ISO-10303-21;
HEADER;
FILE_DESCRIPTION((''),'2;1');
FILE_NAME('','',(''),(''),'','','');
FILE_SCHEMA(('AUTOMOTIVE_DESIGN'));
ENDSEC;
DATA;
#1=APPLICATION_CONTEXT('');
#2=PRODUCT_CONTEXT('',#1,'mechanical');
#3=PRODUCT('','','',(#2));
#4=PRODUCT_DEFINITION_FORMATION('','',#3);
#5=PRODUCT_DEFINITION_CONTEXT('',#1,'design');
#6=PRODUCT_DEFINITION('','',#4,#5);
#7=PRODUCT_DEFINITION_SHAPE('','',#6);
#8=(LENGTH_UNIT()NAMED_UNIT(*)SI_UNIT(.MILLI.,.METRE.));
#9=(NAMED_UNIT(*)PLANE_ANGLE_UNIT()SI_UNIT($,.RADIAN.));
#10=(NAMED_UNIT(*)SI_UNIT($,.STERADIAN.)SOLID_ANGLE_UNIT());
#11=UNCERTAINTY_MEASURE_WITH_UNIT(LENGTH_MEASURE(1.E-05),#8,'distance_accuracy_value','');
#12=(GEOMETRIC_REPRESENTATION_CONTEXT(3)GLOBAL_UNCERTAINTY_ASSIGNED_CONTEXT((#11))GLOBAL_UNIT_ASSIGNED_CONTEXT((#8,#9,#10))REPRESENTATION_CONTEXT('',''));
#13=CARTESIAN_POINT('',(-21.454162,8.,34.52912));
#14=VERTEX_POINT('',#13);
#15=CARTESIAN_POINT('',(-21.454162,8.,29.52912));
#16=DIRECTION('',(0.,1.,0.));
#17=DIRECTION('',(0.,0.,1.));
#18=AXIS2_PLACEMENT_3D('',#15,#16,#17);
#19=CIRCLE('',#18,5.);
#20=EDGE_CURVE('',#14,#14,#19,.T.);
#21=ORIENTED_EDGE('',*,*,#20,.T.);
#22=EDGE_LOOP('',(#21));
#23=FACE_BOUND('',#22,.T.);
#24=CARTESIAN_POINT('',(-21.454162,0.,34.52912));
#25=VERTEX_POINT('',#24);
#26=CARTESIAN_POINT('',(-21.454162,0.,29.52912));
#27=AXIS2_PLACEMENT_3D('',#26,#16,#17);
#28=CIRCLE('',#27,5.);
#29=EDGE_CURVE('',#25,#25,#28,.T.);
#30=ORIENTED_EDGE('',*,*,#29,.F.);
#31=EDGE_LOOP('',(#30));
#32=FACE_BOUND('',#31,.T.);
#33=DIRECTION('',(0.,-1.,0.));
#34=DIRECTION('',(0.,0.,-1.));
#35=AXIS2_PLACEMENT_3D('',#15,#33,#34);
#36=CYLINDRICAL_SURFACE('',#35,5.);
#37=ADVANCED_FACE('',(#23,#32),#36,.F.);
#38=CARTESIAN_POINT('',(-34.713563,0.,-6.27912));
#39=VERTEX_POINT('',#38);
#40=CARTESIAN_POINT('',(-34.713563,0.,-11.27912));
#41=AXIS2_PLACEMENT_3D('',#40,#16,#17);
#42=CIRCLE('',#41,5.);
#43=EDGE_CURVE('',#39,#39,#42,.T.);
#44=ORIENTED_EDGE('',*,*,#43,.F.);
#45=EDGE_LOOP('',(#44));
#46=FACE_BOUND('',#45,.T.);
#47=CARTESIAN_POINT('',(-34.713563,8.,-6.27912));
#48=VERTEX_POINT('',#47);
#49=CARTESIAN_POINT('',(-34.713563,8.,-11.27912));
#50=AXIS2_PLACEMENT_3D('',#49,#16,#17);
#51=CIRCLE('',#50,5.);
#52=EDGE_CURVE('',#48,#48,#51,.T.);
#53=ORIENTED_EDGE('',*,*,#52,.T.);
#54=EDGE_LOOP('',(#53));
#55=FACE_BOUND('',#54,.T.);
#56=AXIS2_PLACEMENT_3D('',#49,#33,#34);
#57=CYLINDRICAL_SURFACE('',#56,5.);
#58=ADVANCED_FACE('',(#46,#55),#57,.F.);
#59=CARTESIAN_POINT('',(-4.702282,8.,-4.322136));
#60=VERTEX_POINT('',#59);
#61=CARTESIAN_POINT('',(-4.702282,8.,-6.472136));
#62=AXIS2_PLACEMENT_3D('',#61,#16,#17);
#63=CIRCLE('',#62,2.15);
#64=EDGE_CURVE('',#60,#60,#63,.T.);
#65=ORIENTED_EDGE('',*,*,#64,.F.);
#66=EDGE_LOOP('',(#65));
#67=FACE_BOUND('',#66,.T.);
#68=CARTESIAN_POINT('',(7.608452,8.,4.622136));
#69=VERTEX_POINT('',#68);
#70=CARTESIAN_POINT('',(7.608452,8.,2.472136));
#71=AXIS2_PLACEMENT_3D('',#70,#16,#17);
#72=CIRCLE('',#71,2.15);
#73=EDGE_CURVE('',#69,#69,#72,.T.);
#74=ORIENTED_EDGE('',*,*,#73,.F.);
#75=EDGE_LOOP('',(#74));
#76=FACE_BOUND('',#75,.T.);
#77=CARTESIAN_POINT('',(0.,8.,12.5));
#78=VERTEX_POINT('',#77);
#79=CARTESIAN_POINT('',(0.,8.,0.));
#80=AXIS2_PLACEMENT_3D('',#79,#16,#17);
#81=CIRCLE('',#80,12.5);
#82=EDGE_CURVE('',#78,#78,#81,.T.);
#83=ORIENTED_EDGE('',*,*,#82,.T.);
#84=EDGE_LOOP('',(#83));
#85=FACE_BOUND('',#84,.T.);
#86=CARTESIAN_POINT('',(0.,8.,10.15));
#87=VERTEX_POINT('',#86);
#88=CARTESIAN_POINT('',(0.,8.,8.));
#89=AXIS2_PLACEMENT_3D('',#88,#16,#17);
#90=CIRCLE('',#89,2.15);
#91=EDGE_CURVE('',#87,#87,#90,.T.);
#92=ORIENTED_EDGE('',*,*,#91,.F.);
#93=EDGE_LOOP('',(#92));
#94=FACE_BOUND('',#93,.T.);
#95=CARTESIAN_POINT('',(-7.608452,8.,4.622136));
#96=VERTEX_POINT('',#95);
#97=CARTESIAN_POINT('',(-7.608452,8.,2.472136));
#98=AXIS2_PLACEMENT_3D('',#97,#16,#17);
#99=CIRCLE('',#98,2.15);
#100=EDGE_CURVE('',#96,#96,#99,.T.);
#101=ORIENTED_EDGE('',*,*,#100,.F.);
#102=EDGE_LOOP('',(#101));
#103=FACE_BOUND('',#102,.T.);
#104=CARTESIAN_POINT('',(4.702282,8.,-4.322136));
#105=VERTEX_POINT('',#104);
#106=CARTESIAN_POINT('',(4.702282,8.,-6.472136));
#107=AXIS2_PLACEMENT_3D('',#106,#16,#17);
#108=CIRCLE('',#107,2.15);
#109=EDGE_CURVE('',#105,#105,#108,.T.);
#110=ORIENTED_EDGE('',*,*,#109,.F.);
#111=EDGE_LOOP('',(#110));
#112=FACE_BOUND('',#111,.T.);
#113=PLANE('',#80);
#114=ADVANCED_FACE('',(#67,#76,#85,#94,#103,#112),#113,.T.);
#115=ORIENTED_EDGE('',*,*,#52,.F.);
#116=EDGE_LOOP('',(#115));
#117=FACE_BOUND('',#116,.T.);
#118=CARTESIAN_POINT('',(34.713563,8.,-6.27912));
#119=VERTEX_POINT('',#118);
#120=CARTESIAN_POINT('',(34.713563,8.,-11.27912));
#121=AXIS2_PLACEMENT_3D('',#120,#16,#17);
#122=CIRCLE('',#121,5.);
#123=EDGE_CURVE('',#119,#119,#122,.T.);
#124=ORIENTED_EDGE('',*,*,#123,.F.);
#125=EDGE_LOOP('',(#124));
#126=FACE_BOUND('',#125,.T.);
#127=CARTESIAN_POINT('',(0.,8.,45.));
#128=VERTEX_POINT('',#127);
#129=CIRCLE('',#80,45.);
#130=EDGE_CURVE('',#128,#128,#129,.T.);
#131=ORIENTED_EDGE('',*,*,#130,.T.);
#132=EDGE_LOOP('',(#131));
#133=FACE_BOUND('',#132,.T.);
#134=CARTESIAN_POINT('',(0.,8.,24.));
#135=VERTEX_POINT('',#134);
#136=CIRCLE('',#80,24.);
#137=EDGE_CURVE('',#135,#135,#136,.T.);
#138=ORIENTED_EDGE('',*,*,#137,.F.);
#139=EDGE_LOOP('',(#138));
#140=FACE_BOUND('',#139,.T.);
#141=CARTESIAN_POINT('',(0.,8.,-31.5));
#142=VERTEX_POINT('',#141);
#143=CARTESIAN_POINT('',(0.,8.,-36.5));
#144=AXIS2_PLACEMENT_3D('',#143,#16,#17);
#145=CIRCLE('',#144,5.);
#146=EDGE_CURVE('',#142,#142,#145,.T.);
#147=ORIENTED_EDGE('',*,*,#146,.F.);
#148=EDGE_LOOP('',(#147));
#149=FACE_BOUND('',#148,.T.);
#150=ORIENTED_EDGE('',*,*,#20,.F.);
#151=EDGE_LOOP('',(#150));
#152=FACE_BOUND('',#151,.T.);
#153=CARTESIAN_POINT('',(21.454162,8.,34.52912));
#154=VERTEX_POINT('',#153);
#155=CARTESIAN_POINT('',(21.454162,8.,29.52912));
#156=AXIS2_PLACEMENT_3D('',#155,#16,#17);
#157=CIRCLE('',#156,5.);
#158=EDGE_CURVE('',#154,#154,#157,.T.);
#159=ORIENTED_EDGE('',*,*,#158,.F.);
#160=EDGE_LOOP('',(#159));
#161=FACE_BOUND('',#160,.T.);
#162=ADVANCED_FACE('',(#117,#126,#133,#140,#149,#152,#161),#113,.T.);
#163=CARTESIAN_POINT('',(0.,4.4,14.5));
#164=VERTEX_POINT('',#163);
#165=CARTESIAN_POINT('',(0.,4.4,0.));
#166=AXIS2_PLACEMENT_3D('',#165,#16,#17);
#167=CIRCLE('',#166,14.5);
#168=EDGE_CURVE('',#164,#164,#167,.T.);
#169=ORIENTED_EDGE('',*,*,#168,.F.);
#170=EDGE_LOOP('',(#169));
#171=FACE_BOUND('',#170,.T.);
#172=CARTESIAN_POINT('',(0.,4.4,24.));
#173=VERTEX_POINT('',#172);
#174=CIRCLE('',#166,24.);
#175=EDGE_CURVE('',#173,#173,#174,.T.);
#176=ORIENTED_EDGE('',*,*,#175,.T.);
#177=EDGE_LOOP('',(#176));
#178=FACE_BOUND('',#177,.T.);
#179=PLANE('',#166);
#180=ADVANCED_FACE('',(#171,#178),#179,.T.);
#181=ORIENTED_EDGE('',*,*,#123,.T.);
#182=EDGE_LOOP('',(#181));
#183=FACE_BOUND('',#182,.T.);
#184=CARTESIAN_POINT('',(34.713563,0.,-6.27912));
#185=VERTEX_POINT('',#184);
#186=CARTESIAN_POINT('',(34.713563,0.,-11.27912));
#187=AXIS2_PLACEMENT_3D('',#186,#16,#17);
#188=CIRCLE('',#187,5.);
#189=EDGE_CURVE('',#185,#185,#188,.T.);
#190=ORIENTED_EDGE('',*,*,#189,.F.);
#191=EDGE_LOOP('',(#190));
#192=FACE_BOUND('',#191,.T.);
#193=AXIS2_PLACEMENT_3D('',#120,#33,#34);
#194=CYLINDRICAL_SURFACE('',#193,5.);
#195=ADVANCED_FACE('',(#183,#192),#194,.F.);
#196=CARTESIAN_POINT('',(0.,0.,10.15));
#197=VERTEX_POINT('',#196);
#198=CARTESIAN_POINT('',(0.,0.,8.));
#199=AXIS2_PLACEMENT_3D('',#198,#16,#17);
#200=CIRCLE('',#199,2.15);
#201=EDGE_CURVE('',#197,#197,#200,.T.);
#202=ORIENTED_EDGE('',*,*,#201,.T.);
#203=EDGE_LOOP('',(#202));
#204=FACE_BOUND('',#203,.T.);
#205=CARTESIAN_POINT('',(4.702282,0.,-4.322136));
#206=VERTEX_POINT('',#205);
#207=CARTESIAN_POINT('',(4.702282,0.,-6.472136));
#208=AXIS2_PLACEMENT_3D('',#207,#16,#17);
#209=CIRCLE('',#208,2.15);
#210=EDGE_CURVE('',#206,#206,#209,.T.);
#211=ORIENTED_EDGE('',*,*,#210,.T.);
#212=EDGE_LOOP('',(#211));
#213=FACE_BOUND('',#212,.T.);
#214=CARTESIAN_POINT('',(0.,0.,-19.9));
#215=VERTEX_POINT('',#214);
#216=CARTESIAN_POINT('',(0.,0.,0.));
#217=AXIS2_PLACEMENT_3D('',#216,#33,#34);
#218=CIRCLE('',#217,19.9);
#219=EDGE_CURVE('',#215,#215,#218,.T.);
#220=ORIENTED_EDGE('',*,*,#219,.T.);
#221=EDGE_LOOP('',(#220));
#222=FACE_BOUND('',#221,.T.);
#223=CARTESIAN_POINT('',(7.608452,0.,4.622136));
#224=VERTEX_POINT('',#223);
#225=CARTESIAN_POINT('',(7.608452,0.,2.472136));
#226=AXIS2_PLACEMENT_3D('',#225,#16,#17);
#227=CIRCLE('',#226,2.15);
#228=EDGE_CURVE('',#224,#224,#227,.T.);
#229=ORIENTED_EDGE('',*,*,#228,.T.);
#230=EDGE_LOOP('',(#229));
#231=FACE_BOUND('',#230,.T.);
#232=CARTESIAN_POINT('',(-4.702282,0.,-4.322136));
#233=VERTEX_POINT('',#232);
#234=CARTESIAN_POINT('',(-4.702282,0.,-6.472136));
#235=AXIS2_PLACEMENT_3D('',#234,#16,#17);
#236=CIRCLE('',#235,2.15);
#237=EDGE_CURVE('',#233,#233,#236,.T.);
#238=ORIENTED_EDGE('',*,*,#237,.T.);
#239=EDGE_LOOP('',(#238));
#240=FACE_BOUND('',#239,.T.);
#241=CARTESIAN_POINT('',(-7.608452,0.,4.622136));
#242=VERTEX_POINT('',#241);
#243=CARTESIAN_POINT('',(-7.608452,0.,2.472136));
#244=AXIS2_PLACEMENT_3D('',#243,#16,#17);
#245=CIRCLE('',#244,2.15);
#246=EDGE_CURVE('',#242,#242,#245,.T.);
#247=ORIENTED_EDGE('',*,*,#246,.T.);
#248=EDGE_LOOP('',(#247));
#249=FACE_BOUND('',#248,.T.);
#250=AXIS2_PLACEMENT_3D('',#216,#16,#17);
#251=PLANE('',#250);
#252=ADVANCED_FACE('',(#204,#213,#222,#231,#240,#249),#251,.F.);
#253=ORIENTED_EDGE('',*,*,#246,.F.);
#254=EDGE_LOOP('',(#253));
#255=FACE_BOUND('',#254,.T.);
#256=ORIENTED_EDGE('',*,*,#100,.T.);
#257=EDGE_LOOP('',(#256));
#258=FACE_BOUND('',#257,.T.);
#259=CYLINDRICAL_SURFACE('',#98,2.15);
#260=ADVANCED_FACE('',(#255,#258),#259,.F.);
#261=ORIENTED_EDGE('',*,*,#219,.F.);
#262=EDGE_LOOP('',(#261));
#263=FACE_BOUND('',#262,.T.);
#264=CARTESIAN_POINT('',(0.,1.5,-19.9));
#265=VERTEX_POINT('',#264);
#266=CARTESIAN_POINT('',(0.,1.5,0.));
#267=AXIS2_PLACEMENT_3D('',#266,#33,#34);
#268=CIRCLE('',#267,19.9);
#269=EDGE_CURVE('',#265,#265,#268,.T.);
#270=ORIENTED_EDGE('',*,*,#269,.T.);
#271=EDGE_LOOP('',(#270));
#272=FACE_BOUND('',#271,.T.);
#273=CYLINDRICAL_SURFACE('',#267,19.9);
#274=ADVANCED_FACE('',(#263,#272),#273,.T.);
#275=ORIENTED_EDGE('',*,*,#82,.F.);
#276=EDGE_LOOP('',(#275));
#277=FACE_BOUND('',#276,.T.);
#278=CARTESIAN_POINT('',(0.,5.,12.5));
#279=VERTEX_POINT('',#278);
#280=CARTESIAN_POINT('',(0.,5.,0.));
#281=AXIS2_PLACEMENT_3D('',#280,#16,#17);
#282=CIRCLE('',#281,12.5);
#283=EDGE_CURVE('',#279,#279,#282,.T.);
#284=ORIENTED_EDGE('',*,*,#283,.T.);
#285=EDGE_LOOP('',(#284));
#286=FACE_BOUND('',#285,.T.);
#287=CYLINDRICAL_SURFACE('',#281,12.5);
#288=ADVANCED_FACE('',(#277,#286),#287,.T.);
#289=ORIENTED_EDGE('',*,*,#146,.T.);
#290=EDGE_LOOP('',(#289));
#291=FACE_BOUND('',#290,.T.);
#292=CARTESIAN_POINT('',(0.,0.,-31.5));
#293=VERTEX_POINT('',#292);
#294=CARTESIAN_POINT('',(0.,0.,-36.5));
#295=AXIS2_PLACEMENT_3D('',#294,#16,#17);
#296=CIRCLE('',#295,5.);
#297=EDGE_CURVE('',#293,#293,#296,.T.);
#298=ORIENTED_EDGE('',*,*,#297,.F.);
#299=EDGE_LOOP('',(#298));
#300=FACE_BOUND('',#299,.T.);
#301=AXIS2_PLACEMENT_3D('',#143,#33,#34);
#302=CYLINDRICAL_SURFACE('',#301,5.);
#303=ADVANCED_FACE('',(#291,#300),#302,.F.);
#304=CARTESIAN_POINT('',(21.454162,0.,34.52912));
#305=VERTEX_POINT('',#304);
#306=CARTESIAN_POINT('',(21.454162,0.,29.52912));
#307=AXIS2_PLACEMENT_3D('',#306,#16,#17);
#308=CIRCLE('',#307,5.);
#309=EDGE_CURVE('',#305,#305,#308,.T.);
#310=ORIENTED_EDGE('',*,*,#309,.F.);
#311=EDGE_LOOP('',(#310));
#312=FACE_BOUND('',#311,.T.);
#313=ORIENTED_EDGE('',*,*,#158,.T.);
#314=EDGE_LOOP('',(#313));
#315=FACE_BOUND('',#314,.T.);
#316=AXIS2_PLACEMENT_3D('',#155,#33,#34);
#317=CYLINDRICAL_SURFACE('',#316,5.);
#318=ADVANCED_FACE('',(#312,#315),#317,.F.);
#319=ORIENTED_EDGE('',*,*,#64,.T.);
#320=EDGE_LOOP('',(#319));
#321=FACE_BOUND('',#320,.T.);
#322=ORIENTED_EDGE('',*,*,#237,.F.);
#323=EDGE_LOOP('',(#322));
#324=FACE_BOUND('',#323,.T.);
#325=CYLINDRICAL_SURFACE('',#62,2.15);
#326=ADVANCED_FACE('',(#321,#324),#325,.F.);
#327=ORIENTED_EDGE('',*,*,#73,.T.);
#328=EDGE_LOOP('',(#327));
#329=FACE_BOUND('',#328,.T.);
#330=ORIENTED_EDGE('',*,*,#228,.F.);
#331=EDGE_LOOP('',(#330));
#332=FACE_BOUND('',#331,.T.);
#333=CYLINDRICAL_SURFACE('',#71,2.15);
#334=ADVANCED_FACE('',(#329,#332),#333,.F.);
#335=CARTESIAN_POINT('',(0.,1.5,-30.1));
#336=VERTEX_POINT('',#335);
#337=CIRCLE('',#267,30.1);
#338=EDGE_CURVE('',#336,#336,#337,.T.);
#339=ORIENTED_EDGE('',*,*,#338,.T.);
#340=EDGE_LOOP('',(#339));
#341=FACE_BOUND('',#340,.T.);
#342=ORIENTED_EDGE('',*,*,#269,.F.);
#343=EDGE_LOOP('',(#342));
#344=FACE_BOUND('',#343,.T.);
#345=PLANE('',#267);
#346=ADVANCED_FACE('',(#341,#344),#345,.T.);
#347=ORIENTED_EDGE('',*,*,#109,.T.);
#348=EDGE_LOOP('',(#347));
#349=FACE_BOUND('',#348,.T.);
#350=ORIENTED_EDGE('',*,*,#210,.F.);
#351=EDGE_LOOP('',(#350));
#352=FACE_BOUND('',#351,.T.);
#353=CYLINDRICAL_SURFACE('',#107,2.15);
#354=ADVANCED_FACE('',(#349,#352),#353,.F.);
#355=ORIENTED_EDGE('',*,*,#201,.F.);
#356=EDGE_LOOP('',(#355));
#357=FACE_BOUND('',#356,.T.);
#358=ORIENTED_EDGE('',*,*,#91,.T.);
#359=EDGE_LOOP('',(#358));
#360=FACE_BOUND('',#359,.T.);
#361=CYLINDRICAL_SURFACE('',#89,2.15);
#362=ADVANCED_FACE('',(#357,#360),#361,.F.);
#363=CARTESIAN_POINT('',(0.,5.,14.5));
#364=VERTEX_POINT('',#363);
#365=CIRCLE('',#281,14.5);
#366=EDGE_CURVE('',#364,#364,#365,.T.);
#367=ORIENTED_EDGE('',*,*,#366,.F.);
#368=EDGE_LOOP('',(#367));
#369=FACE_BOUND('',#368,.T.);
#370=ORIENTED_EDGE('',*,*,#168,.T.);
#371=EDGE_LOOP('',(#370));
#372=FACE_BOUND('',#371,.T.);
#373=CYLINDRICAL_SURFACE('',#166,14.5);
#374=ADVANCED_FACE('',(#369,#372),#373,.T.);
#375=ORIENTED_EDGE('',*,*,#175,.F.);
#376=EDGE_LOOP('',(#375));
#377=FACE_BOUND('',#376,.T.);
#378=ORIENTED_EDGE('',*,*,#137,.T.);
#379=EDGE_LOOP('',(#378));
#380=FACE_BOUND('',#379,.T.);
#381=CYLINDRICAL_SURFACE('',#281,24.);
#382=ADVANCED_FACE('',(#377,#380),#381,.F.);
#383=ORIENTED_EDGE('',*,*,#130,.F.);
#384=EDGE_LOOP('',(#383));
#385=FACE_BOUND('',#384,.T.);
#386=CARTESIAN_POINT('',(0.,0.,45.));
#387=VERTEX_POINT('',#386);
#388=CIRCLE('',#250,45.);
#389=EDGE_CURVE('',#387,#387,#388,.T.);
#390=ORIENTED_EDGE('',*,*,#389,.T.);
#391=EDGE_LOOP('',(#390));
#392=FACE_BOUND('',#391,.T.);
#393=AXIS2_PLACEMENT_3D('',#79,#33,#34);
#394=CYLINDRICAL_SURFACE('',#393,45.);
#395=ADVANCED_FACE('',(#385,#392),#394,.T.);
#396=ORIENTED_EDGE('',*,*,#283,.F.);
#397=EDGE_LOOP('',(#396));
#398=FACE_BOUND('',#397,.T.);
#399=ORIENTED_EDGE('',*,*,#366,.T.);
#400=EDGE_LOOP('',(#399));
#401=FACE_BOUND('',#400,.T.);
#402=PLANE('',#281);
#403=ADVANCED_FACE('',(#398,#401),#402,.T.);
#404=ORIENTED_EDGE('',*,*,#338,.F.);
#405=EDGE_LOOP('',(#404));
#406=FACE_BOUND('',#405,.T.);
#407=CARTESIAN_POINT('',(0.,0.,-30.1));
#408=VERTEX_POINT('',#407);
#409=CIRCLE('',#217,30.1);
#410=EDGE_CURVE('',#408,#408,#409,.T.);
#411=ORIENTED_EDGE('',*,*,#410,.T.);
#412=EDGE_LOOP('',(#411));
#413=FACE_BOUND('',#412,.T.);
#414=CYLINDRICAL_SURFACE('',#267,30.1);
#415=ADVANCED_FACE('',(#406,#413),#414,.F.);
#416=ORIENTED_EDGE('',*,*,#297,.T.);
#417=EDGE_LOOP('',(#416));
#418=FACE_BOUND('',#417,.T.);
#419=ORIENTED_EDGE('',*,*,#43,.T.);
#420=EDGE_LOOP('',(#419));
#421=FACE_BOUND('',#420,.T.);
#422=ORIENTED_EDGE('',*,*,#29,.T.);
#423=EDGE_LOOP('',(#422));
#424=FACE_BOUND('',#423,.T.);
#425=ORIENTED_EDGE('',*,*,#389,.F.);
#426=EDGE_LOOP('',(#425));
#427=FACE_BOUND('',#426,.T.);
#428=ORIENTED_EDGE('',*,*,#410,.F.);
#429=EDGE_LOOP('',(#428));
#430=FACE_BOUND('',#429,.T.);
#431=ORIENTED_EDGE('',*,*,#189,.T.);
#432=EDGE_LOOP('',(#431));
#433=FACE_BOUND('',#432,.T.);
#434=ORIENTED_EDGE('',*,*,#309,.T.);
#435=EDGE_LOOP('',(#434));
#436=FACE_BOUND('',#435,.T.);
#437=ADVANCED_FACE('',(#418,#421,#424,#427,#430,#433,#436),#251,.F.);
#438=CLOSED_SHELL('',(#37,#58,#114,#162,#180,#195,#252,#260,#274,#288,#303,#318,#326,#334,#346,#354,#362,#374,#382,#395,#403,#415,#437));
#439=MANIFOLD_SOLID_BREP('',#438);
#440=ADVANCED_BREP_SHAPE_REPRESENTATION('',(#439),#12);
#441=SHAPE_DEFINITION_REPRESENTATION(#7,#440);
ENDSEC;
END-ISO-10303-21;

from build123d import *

# Parameters (mm, degrees)
SKETCH1_R                  = 45
SKETCH1_R_2                = 5
BOSS_EXTRUDE1_DEPTH        = 8
F_4_3_4_3_DIAMETER_HOLE1_D = 4.3
SKETCH6_R                  = 30.1
SKETCH6_R_2                = 19.9
CUT_EXTRUDE2_DEPTH         = 1.5
SKETCH8_R                  = 24
SKETCH8_R_2                = 12.5
CUT_EXTRUDE3_DEPTH         = 3
SKETCH9_R                  = 24
SKETCH9_R_2                = 14.5
CUT_EXTRUDE4_DEPTH         = 0.6


with BuildPart() as part:
    # Sketch1 → Boss-Extrude1 (new body)
    with BuildSketch(Plane(origin=(0, 0, 0), x_dir=(1, 0, 0), z_dir=(0, 1, 0))):
        with Locations(Location((0, 0, 0), (0, 0, 270))):
            Circle(SKETCH1_R)
        with Locations(Location((0, 36.5, 0), (0, 0, 270))):
            Circle(SKETCH1_R_2, mode=Mode.SUBTRACT)
        with Locations(Location((34.713562845, 11.279120295, 0), (0, 0, 270))):
            Circle(SKETCH1_R_2, mode=Mode.SUBTRACT)
        with Locations(Location((21.454161709, -29.529120295, 0), (0, 0, 270))):
            Circle(SKETCH1_R_2, mode=Mode.SUBTRACT)
        with Locations(Location((-21.454161709, -29.529120295, 0), (0, 0, 270))):
            Circle(SKETCH1_R_2, mode=Mode.SUBTRACT)
        with Locations(Location((-34.713562845, 11.279120295, 0), (0, 0, 270))):
            Circle(SKETCH1_R_2, mode=Mode.SUBTRACT)
    extrude(amount=BOSS_EXTRUDE1_DEPTH)

    # Ø4.3 (4.3) Diameter Hole1 (through all)
    with Locations(Plane(origin=(0, 8, 0), x_dir=(1, 0, 0), z_dir=(0, 1, 0))):
        with Locations((-7.60845213, -2.472135955), (-4.702282018, 6.472135955), (4.702282018, 6.472135955), (7.60845213, -2.472135955), (0, -8)):
            Hole(F_4_3_4_3_DIAMETER_HOLE1_D / 2)

    # Sketch6 → Cut-Extrude2 (cut)
    with BuildSketch(Plane.XZ):
        with Locations(Location((0, 0, 0), (0, 0, 270))):
            Circle(SKETCH6_R)
        with Locations(Location((0, 0, 0), (0, 0, 270))):
            Circle(SKETCH6_R_2, mode=Mode.SUBTRACT)
    extrude(amount=-CUT_EXTRUDE2_DEPTH, mode=Mode.SUBTRACT)

    # Sketch8 → Cut-Extrude3 (cut)
    with BuildSketch(Plane(origin=(0, 8, 0), x_dir=(1, 0, 0), z_dir=(0, 1, 0))):
        with Locations(Location((0, 0, 0), (0, 0, 270))):
            Circle(SKETCH8_R)
        with Locations(Location((0, 0, 0), (0, 0, 270))):
            Circle(SKETCH8_R_2, mode=Mode.SUBTRACT)
    extrude(amount=-CUT_EXTRUDE3_DEPTH, mode=Mode.SUBTRACT)

    # Sketch9 → Cut-Extrude4 (cut)
    with BuildSketch(Plane(origin=(0, 5, 0), x_dir=(1, 0, 0), z_dir=(0, 1, 0))):
        with Locations(Location((0, 0, 0), (0, 0, 270))):
            Circle(SKETCH9_R)
        with Locations(Location((0, 0, 0), (0, 0, 270))):
            Circle(SKETCH9_R_2, mode=Mode.SUBTRACT)
    extrude(amount=-CUT_EXTRUDE4_DEPTH, mode=Mode.SUBTRACT)


solid = part.part
